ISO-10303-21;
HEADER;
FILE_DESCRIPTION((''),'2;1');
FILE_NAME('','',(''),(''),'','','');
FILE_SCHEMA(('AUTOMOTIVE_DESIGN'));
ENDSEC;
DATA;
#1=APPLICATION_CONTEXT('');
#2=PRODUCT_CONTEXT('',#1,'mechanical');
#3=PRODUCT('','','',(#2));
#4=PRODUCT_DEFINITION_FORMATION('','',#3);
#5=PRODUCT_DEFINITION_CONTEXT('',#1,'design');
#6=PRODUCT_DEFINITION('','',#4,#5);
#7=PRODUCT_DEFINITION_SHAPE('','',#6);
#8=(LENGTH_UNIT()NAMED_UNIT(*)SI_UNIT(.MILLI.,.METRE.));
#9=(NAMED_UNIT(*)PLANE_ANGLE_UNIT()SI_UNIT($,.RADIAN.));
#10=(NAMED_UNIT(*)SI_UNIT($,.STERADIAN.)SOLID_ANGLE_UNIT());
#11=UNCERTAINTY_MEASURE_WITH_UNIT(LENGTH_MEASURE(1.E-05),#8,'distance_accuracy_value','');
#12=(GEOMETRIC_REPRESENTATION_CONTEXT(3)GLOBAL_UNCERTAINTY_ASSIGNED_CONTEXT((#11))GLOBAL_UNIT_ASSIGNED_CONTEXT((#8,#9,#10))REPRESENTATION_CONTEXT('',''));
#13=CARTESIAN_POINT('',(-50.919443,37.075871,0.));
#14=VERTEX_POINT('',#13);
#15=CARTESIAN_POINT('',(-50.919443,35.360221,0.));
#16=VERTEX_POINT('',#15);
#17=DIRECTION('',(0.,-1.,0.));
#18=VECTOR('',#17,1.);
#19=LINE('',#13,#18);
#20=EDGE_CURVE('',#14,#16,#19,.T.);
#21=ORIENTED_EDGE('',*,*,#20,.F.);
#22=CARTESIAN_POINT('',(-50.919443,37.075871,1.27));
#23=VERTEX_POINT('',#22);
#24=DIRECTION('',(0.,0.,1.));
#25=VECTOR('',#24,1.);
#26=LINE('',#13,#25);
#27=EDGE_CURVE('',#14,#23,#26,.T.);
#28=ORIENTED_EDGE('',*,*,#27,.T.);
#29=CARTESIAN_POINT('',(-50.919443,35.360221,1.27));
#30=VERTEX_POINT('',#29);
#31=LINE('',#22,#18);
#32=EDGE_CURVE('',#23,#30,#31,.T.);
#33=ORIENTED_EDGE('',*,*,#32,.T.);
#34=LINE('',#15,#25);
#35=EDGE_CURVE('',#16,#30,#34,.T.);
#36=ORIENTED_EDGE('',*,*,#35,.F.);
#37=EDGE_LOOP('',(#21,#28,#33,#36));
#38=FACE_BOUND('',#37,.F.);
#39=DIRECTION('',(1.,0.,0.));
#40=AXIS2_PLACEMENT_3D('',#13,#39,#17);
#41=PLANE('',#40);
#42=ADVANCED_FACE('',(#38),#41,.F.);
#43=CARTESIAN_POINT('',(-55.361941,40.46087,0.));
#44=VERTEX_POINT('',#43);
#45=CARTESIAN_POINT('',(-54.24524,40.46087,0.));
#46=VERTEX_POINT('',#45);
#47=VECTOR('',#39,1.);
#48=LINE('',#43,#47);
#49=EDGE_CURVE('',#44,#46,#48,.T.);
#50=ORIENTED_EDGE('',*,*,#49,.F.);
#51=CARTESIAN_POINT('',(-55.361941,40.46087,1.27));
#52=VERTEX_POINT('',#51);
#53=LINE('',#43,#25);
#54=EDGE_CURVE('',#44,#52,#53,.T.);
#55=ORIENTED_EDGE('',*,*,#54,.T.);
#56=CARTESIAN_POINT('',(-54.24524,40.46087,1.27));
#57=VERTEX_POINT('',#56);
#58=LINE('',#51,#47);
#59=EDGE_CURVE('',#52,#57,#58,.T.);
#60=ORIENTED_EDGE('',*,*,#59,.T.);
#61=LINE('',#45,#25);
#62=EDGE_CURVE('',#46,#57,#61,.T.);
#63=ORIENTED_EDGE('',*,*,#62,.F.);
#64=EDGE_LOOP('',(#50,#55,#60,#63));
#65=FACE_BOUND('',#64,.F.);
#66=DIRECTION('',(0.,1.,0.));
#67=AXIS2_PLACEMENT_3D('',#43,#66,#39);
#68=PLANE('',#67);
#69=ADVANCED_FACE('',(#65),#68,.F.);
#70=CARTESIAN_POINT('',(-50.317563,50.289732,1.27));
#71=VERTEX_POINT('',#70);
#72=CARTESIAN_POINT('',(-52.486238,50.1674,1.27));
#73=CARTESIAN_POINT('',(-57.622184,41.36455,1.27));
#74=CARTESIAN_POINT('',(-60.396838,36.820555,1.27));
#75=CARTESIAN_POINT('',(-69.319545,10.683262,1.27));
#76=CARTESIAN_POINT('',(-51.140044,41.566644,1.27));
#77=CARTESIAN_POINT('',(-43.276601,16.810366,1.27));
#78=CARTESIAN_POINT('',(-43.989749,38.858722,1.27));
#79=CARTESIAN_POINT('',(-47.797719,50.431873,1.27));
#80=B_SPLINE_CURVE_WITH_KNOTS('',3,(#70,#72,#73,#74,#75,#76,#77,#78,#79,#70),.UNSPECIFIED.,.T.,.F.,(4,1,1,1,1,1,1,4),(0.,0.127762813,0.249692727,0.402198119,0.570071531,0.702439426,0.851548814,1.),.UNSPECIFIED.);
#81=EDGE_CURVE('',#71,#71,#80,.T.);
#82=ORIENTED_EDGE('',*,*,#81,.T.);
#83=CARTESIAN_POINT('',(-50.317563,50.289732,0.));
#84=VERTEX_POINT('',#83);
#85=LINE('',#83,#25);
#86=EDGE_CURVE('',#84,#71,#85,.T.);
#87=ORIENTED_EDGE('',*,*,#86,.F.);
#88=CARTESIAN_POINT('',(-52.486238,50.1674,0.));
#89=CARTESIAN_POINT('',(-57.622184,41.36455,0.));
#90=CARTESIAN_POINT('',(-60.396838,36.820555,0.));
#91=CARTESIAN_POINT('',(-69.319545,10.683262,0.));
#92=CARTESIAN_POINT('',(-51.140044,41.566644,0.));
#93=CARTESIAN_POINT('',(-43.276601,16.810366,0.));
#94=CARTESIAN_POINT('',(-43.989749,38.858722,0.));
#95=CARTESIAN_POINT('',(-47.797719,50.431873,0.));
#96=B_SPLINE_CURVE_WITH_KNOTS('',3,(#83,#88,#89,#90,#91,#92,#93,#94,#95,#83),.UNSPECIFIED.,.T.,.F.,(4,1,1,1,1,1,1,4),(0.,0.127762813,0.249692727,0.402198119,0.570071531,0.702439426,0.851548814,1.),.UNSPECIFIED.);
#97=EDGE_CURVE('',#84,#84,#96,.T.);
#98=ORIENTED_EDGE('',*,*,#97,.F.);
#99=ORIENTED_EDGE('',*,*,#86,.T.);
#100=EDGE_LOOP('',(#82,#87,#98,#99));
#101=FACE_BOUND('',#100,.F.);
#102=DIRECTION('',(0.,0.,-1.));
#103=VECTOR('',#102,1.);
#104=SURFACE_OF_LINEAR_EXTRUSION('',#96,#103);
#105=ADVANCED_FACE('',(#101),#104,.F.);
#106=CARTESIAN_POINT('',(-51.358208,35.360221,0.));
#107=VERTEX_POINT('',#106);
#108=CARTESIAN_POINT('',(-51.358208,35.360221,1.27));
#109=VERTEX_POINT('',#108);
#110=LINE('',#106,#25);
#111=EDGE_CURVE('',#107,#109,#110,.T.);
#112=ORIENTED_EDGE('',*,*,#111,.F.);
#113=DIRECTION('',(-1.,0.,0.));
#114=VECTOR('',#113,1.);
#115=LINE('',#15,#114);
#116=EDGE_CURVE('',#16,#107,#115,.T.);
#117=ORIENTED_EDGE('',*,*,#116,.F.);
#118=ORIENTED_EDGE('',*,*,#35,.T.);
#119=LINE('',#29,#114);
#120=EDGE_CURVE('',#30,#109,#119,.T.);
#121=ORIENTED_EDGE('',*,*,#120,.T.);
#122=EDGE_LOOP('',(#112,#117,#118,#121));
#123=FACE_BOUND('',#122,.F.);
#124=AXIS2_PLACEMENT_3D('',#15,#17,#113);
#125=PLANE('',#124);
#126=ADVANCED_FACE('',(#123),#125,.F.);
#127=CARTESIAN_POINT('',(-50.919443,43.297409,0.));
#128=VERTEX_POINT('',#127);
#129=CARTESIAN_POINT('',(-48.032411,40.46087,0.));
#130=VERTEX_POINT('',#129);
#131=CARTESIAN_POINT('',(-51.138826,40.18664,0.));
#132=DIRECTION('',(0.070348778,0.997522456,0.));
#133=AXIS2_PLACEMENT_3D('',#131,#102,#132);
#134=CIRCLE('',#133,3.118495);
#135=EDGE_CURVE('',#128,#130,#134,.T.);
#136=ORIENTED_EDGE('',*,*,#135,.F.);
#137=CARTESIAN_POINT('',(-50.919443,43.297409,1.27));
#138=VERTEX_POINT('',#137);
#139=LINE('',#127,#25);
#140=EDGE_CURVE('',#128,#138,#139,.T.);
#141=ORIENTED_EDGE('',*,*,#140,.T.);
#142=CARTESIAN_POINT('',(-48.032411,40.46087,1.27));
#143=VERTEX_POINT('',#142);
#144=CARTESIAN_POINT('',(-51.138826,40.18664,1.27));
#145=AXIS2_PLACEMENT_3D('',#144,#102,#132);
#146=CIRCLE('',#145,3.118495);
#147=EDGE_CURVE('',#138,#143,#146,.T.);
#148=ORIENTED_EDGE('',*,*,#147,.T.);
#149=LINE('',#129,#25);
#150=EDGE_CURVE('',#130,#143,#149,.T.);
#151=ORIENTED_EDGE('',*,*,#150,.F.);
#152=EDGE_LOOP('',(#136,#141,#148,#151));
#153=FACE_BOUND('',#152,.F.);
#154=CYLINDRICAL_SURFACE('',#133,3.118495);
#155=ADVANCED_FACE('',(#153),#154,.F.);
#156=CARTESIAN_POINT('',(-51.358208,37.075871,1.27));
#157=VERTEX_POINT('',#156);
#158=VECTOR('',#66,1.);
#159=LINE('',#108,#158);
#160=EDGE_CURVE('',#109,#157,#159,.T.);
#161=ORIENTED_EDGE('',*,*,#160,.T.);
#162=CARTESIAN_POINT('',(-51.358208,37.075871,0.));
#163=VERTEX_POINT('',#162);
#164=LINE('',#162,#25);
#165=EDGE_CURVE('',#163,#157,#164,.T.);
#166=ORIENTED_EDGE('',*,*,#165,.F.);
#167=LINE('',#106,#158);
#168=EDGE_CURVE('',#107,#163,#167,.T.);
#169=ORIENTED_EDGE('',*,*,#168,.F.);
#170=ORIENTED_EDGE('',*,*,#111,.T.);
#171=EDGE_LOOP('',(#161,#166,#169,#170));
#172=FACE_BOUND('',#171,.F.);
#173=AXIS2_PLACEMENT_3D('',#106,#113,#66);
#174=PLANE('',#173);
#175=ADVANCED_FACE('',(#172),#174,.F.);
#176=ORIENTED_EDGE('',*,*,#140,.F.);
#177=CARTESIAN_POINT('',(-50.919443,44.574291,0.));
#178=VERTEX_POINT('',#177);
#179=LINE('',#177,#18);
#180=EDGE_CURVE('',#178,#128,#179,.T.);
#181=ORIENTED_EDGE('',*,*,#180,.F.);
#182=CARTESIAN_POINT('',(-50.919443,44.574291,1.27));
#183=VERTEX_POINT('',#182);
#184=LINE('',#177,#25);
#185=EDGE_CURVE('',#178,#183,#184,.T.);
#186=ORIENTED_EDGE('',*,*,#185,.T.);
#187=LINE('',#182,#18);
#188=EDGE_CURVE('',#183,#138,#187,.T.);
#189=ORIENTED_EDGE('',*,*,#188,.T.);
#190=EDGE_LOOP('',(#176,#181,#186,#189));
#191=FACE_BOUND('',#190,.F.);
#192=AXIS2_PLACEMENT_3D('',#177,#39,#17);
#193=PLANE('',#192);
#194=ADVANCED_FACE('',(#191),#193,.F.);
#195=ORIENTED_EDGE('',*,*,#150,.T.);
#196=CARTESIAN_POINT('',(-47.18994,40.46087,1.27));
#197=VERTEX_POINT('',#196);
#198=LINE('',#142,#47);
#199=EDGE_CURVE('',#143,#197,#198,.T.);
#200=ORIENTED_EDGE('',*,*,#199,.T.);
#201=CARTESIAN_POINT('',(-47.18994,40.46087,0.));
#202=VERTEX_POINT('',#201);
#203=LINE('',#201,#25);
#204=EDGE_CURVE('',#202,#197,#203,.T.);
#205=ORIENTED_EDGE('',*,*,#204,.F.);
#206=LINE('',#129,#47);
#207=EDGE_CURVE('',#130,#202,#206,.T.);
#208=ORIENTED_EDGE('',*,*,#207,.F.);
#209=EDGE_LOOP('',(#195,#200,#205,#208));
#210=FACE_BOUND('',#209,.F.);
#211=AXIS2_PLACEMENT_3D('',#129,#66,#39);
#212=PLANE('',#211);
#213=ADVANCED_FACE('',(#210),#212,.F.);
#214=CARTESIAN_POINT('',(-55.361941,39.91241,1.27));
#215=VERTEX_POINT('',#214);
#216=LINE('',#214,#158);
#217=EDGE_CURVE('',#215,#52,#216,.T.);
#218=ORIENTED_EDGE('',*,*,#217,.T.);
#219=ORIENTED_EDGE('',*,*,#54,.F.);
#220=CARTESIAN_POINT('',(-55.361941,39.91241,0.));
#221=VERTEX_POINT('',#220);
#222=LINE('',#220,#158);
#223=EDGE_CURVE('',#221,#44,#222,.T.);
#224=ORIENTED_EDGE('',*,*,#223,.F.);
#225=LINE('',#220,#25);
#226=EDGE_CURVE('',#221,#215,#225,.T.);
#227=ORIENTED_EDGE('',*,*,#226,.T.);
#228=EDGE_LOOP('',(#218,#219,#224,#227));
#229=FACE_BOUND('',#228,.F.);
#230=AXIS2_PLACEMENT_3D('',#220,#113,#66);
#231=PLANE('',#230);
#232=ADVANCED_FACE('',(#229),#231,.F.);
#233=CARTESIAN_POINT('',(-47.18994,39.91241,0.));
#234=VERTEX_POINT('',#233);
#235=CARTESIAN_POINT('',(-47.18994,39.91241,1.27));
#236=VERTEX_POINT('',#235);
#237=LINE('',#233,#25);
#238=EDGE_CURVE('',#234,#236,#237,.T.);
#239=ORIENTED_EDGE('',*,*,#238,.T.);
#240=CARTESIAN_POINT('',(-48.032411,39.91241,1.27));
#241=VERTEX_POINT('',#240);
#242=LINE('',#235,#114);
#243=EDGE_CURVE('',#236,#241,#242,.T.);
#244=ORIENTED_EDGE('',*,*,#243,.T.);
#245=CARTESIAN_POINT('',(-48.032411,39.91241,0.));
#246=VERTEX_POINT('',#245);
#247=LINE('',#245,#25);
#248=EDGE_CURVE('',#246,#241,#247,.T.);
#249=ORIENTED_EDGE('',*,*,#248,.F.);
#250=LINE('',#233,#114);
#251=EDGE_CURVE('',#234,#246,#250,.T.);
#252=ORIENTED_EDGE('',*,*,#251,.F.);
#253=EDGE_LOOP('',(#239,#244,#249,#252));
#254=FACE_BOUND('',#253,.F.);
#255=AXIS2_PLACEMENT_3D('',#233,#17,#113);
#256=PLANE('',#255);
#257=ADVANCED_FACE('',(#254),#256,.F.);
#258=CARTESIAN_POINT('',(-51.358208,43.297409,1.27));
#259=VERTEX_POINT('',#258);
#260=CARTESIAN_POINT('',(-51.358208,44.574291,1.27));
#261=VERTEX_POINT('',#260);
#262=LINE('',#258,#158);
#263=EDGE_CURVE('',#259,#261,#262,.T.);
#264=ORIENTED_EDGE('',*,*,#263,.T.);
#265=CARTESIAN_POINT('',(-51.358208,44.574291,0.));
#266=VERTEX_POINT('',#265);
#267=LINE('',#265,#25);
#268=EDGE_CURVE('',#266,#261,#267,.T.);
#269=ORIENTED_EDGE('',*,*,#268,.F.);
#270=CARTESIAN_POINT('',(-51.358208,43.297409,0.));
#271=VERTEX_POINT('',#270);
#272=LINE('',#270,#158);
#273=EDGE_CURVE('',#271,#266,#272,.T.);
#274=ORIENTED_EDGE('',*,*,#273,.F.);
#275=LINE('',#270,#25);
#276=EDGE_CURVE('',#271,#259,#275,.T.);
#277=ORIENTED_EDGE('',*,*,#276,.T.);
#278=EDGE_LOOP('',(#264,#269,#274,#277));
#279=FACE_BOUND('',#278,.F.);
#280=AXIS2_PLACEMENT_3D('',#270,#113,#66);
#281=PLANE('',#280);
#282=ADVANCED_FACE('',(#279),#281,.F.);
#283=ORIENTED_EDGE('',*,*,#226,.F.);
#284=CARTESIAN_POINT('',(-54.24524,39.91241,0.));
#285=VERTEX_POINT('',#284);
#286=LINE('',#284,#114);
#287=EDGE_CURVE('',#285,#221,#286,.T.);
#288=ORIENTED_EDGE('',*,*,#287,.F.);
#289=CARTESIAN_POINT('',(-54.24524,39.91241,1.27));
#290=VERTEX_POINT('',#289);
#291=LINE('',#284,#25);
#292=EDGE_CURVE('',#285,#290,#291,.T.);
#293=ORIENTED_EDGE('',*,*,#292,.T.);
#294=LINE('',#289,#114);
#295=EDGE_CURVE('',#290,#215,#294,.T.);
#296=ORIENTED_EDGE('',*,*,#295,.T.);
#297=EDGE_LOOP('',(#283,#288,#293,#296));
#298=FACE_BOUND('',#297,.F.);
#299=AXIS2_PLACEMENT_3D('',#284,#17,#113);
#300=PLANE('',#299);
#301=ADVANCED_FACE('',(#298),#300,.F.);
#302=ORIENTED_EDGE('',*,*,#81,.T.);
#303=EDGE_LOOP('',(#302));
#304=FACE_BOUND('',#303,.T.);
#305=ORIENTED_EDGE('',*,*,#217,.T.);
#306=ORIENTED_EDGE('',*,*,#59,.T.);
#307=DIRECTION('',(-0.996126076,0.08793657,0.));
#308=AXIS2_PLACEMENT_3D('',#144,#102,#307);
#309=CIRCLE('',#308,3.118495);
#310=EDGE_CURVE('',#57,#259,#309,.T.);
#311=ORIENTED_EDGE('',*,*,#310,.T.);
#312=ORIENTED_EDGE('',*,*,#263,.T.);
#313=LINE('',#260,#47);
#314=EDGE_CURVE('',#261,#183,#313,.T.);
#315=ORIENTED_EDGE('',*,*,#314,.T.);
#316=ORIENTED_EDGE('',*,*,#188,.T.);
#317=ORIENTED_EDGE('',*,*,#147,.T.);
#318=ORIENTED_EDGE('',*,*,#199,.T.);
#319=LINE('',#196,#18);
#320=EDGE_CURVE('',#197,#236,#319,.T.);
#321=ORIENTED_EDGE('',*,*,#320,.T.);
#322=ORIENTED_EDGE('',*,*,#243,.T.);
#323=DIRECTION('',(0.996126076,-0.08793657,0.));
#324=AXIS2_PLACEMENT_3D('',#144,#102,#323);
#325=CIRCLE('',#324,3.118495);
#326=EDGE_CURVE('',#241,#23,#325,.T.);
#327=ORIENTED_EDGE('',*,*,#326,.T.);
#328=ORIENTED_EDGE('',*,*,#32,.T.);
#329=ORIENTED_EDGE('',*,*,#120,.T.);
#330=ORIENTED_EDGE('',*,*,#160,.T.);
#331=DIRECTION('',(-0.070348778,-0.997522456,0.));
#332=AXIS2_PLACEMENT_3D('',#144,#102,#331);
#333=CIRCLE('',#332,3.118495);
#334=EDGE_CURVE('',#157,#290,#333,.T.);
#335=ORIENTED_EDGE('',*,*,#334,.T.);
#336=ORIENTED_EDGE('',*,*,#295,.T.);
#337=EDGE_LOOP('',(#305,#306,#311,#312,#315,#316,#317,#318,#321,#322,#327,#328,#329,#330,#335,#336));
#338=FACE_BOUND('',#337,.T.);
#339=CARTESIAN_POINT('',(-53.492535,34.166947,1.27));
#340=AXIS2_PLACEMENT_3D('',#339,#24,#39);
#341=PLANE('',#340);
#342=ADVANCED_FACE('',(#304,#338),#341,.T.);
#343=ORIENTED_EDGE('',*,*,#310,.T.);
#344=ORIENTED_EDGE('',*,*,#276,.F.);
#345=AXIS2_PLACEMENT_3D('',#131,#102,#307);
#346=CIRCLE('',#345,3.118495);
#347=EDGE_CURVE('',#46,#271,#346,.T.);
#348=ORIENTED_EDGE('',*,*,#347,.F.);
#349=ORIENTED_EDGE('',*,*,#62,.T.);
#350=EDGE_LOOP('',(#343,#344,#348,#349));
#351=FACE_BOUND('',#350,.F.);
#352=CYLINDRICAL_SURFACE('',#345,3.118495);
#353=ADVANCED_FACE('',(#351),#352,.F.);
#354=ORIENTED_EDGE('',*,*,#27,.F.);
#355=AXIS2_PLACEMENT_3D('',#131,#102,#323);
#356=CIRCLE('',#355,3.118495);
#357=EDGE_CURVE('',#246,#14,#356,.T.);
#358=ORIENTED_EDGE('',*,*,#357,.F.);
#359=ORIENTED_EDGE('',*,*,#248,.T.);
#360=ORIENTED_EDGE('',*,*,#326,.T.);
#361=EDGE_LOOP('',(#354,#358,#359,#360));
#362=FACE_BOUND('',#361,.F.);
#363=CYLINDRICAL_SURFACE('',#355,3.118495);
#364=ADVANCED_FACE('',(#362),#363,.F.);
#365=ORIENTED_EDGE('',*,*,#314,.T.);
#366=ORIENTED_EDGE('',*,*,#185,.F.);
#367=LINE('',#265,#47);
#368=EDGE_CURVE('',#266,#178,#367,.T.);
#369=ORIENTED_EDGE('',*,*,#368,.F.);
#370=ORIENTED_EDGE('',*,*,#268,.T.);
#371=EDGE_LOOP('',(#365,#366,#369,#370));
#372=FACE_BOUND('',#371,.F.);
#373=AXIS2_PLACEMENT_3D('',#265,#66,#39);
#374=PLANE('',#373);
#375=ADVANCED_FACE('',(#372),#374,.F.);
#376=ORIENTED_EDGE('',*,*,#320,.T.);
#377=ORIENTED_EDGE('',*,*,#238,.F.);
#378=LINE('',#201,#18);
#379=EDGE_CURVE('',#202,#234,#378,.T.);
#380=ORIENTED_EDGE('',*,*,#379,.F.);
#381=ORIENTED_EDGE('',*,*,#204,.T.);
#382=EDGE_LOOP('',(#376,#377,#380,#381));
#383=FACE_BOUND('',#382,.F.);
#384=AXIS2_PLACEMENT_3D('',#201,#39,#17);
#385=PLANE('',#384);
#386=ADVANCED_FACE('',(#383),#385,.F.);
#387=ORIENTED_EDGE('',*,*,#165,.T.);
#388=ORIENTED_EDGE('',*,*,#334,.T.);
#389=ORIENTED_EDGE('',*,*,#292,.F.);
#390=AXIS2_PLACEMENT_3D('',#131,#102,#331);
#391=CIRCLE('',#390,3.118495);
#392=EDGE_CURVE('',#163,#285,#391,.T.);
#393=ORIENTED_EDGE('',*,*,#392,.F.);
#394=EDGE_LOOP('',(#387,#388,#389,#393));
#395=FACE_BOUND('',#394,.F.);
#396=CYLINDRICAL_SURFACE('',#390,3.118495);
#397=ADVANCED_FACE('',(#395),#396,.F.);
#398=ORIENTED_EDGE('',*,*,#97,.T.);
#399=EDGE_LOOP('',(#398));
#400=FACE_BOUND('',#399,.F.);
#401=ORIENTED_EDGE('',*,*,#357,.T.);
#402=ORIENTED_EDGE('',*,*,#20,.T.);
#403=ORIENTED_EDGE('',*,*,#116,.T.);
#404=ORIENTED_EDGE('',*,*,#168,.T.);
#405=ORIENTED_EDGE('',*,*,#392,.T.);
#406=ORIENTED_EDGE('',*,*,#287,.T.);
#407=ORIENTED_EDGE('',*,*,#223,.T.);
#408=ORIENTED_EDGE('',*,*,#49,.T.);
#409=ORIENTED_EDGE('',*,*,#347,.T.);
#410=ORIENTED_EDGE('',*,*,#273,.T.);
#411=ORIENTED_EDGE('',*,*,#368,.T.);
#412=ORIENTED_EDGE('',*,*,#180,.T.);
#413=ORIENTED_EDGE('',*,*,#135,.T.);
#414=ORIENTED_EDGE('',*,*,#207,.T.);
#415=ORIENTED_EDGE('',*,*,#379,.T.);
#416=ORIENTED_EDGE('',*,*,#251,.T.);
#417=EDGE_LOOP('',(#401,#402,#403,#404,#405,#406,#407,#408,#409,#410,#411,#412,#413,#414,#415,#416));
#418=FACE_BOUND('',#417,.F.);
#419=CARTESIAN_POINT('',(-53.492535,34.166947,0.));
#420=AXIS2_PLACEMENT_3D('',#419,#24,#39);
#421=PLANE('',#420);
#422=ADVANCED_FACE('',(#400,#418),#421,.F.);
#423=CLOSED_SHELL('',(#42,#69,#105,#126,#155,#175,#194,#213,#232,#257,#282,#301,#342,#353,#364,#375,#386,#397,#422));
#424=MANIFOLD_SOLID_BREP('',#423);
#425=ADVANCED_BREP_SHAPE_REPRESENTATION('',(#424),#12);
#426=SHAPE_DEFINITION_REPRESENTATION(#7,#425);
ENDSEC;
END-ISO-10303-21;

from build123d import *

# Parameters (mm, degrees)
F1_DEPTH = 1.27


with BuildPart() as f1:
    # F0 (on Top) → F1 (new body)
    with BuildSketch(Plane.XY):
        with BuildLine():
            add(Edge.make_bspline(
                [(-50.3175632004, 50.2897321245), (-52.4862384246, 50.1674002007), (-57.6221835874, 41.3645502611), (-60.3968377144, 36.8205547074), (-69.3195453246, 10.6832618923), (-51.1400444544, 41.5666437214), (-43.2766006041, 16.8103664528), (-43.989749351, 38.8587220751), (-47.7977187986, 50.4318730084), (-50.3175632004, 50.2897321245)],
                knots=[0, 0, 0, 0, 0.1277628132, 0.2496927266, 0.4021981193, 0.5700715307, 0.7024394258, 0.8515488138, 1, 1, 1, 1], degree=3))
        make_face()
        with BuildLine():
            ThreePointArc((-50.9194433689, 43.2974091239), (-48.9532547535, 42.4111158824), (-48.0324110687, 40.4608696699))
            Line((-48.0324110687, 40.4608696699), (-47.1899397671, 40.4608696699))
            Line((-47.1899397671, 40.4608696699), (-47.1899397671, 39.9124100804))
            Line((-47.1899397671, 39.9124100804), (-48.0324110687, 39.9124100804))
            ThreePointArc((-48.0324110687, 39.9124100804), (-48.9532547535, 37.9621638679), (-50.9194433689, 37.0758706264))
            Line((-50.9194433689, 37.0758706264), (-50.9194433689, 35.3602208197))
            Line((-50.9194433689, 35.3602208197), (-51.3582080603, 35.3602208197))
            Line((-51.3582080603, 35.3602208197), (-51.3582080603, 37.0758706264))
            ThreePointArc((-51.3582080603, 37.0758706264), (-53.3243966756, 37.9621638679), (-54.2452403605, 39.9124100804))
            Line((-54.2452403605, 39.9124100804), (-55.3619414568, 39.9124100804))
            Line((-55.3619414568, 39.9124100804), (-55.3619414568, 40.4608696699))
            Line((-55.3619414568, 40.4608696699), (-54.2452403605, 40.4608696699))
            ThreePointArc((-54.2452403605, 40.4608696699), (-53.3243966756, 42.4111158824), (-51.3582080603, 43.2974091239))
            Line((-51.3582080603, 43.2974091239), (-51.3582080603, 44.574290514))
            Line((-51.3582080603, 44.574290514), (-50.9194433689, 44.574290514))
            Line((-50.9194433689, 44.574290514), (-50.9194433689, 43.2974091239))
        make_face(mode=Mode.SUBTRACT)
    extrude(amount=F1_DEPTH)


solid = f1.part
